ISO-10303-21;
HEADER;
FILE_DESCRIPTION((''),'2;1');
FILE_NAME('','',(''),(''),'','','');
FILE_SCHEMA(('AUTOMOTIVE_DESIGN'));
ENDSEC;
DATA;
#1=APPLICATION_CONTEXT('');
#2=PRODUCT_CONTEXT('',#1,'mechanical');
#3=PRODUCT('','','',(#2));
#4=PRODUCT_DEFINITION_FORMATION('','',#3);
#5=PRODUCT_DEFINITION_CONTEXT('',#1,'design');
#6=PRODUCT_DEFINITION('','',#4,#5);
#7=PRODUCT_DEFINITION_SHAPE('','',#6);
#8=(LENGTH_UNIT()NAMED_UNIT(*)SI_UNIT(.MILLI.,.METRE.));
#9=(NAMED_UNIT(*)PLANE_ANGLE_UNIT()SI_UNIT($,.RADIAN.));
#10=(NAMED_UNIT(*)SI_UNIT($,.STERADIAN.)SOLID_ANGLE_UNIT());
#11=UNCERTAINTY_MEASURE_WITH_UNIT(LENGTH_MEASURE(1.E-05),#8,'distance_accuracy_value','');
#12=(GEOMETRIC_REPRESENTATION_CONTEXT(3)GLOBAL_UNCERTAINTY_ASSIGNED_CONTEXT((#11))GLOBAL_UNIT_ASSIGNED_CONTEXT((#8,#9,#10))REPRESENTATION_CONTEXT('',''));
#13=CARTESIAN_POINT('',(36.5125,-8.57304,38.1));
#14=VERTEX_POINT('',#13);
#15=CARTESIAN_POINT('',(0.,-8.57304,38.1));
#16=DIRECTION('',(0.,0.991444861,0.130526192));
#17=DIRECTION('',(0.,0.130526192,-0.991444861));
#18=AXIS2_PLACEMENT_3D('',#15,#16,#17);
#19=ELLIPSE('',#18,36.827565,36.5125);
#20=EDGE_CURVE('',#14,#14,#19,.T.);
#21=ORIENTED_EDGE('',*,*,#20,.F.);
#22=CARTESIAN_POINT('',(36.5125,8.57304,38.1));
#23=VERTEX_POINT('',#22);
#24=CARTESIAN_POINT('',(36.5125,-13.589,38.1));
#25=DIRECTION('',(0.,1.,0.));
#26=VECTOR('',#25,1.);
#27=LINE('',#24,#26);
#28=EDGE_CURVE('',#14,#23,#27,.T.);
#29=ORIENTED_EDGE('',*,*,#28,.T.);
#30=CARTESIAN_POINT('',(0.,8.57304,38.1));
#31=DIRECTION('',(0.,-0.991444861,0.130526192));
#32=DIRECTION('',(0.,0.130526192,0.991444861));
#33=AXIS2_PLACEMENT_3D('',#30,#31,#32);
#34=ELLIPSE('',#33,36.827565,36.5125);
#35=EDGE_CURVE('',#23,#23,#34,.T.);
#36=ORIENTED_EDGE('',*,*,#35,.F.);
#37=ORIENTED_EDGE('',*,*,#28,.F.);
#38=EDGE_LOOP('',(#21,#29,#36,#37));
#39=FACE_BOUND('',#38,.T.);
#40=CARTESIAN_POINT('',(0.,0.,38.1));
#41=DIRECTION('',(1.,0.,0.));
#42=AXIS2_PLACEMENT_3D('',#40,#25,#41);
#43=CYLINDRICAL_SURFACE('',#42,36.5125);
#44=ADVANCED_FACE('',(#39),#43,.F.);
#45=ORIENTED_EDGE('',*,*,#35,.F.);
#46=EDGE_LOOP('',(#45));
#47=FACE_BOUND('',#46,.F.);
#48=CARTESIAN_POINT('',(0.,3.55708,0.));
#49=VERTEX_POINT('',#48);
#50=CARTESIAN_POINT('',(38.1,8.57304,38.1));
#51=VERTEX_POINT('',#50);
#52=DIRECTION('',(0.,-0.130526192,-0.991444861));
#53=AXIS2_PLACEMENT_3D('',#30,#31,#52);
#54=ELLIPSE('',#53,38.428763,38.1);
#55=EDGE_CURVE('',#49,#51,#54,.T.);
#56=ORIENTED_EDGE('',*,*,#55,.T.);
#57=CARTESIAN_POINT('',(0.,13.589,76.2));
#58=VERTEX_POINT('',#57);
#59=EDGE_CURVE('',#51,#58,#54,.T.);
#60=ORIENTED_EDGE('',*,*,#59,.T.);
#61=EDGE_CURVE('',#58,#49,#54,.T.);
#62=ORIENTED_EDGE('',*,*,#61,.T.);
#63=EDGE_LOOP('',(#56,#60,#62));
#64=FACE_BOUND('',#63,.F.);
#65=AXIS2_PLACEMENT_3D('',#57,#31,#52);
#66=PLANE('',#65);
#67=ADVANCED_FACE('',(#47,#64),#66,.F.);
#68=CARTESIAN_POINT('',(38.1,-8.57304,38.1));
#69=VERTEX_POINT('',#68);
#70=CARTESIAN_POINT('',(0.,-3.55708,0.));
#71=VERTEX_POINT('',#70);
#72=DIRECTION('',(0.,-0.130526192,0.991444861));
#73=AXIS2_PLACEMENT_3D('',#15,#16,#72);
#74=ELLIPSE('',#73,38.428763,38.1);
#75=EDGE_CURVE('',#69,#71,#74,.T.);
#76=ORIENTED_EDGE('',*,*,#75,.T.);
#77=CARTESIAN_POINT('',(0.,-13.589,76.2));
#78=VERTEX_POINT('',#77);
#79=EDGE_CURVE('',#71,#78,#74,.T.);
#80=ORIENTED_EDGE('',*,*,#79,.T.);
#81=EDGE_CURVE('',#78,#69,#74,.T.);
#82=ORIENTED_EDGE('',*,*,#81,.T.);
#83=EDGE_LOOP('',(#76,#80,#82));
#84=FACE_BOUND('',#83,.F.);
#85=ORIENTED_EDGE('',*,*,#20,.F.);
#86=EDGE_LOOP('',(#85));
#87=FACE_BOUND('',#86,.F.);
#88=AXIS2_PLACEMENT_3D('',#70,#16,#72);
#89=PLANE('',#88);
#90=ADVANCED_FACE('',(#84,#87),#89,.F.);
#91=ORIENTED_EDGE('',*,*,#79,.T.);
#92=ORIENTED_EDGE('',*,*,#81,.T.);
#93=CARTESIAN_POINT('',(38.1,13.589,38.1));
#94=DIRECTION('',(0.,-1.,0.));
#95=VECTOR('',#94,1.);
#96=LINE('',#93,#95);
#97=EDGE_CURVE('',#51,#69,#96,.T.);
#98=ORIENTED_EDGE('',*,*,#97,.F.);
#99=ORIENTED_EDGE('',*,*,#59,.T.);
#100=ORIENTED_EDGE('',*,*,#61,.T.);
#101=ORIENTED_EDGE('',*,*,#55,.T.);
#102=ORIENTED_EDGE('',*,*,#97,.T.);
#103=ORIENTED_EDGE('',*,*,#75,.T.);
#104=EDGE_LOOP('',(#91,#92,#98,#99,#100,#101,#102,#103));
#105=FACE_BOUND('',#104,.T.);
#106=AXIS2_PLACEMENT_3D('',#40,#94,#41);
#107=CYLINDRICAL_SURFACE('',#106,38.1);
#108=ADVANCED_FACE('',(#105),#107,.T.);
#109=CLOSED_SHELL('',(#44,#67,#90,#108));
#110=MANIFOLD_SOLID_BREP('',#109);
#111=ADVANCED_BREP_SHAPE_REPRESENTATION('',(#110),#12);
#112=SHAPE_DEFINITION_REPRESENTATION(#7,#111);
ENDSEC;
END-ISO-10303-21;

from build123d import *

# Parameters (mm, degrees)
F0_R     = 38.1
F0_R_2   = 36.5125
F1_DEPTH = 13.589
F3_DEPTH = 63.5


with BuildPart() as f1:
    # F0 (on Front) → F1 (new body, symmetric)
    with BuildSketch(Plane.XZ):
        with Locations((0, 38.1)):
            Circle(F0_R)
        with Locations((0, 38.1)):
            Circle(F0_R_2, mode=Mode.SUBTRACT)
    extrude(amount=F1_DEPTH, both=True)

    # F2 (on Right) → F3 (cut, symmetric)
    with BuildSketch(Plane.YZ):
        Polygon((3.5570796838, 0), (-3.5570796838, 0), (-13.589, 76.2), (-13.589, -15.0681453376), (13.589, -15.0681453376), (13.589, 76.2), align=None)
    extrude(amount=F3_DEPTH, both=True, mode=Mode.SUBTRACT)


solid = f1.part
